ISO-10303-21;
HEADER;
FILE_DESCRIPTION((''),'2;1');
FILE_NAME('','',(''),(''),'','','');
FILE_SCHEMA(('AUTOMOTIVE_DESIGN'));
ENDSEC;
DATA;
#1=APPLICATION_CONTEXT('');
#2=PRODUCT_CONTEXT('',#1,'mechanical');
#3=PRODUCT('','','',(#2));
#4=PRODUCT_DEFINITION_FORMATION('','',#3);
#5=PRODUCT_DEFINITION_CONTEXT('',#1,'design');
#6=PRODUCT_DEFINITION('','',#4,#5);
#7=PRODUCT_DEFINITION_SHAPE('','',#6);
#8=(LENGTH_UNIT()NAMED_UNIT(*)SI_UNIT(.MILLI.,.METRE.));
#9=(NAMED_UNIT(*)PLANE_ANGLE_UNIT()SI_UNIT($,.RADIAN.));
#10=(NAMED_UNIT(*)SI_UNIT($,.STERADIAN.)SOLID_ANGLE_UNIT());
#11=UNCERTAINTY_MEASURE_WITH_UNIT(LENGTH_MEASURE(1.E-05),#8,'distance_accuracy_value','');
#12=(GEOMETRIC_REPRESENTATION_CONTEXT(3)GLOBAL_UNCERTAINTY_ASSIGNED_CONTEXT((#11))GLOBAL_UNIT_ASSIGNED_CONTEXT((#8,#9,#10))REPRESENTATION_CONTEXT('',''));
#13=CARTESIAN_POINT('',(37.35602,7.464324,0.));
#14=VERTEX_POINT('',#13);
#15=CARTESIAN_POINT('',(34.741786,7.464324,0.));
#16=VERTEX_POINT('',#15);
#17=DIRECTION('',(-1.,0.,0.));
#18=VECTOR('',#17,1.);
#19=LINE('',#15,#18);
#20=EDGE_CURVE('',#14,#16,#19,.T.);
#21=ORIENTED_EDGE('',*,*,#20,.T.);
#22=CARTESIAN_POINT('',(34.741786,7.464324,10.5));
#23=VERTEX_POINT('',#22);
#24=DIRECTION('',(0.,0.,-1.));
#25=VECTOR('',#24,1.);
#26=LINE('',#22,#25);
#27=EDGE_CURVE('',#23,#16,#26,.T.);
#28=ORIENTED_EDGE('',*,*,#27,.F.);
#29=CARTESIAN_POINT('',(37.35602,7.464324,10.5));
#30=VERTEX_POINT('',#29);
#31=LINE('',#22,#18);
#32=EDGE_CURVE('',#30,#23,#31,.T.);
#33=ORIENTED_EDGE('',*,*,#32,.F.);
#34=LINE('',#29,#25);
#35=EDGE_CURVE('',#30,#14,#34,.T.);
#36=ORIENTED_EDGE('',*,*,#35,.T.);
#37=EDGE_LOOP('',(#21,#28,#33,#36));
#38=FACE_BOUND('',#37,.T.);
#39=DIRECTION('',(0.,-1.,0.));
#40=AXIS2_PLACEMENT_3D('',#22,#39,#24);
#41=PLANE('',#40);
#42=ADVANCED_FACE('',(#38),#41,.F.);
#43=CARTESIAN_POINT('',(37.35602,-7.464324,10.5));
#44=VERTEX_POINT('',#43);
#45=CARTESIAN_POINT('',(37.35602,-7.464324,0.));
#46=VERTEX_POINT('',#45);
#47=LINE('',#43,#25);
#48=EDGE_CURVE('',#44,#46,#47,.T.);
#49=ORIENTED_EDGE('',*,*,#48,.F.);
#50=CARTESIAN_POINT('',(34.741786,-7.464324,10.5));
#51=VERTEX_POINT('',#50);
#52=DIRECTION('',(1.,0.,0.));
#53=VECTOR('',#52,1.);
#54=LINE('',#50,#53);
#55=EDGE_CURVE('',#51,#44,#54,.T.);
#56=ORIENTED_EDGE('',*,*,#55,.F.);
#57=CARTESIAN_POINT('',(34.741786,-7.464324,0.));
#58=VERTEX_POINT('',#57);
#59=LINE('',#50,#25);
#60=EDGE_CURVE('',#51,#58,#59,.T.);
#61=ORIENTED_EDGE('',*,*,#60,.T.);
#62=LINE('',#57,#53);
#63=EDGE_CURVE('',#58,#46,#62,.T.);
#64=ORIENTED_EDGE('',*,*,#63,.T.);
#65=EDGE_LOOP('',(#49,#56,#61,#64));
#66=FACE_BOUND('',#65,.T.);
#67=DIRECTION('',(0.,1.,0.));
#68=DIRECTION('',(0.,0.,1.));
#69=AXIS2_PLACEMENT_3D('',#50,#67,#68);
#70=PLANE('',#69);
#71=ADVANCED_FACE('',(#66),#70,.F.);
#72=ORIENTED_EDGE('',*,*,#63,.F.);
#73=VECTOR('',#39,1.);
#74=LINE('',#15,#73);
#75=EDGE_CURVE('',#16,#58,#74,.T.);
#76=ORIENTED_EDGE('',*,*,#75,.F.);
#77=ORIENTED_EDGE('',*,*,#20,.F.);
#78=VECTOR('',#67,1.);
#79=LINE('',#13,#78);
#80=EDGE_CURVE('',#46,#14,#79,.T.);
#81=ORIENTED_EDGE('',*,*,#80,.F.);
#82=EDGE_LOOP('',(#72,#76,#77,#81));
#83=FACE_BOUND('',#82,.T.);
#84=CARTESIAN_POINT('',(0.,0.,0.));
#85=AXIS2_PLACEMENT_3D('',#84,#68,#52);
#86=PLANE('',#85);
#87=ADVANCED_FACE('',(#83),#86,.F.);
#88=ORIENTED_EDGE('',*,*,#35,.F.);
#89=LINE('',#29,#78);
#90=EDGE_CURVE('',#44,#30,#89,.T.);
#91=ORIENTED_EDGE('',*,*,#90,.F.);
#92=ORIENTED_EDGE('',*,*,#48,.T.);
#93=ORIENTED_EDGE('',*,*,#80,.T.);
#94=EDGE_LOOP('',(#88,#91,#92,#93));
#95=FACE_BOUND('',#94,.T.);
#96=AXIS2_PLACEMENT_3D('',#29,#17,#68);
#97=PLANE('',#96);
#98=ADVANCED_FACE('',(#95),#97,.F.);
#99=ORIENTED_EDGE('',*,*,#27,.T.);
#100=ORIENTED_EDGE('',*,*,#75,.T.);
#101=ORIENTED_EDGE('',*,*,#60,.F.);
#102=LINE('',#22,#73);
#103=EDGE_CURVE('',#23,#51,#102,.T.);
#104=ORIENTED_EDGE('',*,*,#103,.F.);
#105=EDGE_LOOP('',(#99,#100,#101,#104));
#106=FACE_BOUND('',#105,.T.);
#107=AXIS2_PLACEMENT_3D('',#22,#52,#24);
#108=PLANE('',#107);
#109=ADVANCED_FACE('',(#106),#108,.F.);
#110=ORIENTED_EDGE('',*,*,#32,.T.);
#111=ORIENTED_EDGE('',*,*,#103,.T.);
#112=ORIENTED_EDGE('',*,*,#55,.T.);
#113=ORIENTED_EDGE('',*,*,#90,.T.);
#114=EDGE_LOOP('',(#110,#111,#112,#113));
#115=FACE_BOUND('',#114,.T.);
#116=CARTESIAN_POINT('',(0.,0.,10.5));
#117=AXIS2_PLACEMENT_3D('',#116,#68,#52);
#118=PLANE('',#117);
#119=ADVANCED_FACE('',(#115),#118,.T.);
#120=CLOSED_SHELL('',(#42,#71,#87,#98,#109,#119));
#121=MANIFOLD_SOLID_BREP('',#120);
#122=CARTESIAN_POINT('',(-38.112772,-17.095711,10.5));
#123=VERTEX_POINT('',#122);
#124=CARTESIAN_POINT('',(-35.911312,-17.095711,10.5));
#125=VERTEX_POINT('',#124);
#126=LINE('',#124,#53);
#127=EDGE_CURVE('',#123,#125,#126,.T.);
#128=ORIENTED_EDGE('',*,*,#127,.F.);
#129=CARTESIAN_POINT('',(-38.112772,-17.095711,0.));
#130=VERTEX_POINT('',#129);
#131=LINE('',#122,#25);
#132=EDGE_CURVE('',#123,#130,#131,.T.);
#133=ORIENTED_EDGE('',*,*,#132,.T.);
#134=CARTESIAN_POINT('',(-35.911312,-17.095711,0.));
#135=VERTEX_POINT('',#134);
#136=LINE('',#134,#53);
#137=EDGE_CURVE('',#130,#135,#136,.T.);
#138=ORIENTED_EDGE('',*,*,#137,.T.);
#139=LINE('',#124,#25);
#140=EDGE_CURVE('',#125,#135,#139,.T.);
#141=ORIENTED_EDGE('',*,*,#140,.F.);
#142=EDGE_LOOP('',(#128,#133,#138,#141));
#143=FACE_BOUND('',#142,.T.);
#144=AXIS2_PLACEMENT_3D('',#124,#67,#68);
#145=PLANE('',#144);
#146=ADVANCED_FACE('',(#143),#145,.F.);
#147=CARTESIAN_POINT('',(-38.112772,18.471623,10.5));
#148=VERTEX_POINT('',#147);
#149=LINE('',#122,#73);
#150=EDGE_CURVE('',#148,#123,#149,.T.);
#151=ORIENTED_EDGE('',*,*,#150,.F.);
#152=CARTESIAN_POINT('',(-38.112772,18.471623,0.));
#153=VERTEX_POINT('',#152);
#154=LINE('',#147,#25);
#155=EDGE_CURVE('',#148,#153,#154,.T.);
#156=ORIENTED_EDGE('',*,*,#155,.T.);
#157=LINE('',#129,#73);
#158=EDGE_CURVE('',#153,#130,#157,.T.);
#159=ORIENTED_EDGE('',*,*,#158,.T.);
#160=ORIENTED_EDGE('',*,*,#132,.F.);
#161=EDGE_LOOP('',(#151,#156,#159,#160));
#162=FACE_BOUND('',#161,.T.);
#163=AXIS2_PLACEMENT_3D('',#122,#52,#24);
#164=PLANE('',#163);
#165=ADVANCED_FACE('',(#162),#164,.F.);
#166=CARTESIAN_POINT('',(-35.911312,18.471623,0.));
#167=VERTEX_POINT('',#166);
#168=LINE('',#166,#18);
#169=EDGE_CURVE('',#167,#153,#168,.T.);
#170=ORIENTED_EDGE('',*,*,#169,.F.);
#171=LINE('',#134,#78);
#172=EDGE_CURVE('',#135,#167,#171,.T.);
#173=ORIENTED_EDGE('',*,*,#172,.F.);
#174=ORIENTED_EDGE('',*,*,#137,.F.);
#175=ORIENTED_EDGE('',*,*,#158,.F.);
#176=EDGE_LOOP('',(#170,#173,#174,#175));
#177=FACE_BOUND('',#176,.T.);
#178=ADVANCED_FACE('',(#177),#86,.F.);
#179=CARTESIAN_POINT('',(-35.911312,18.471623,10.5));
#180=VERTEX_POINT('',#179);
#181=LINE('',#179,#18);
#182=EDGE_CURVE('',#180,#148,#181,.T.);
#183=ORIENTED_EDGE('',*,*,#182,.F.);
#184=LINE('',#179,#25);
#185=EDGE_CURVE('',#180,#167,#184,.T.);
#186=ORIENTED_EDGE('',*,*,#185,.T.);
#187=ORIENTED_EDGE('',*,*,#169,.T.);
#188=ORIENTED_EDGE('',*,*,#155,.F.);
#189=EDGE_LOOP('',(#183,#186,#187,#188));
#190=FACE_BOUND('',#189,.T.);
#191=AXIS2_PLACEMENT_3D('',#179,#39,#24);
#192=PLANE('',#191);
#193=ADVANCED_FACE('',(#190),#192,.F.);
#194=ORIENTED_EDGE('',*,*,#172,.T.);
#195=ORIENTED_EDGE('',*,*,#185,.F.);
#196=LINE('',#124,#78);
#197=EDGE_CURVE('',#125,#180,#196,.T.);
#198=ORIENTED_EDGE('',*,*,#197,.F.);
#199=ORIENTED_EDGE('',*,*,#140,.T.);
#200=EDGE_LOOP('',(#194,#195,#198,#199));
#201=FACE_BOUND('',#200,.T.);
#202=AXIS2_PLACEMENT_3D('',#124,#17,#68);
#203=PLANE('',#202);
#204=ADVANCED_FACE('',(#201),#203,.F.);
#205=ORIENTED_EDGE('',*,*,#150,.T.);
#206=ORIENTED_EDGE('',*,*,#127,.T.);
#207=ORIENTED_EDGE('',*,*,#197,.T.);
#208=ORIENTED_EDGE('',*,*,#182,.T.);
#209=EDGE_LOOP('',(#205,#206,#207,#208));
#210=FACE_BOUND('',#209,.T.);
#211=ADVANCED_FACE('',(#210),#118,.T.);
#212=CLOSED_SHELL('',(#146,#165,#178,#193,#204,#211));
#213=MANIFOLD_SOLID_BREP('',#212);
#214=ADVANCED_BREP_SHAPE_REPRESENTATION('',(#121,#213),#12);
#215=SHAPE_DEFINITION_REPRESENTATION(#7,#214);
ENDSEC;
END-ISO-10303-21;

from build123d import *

# Parameters (mm, degrees)
SKETCH1_W             = 2.201459731
SKETCH1_H             = 35.567333793
BOSS_EXTRUDE1_DEPTH   = 10.5
SKETCH1_W_2           = 2.614233432
SKETCH1_H_2           = 14.928648806
BOSS_EXTRUDE1_2_DEPTH = 10.5


with BuildPart() as part:
    # Sketch1 → Boss-Extrude1 (new body)
    with BuildSketch(Plane.XY):
        with Locations((-37.012041743, 0.687956167)):
            Rectangle(SKETCH1_W, SKETCH1_H)
    extrude(amount=BOSS_EXTRUDE1_DEPTH)


with BuildPart() as body_2:
    # Sketch1 → Boss-Extrude1 2 (new body)
    with BuildSketch(Plane.XY):
        with Locations((36.04890311, 0)):
            Rectangle(SKETCH1_W_2, SKETCH1_H_2)
    extrude(amount=BOSS_EXTRUDE1_2_DEPTH)


solid = Compound([part.part, body_2.part])
